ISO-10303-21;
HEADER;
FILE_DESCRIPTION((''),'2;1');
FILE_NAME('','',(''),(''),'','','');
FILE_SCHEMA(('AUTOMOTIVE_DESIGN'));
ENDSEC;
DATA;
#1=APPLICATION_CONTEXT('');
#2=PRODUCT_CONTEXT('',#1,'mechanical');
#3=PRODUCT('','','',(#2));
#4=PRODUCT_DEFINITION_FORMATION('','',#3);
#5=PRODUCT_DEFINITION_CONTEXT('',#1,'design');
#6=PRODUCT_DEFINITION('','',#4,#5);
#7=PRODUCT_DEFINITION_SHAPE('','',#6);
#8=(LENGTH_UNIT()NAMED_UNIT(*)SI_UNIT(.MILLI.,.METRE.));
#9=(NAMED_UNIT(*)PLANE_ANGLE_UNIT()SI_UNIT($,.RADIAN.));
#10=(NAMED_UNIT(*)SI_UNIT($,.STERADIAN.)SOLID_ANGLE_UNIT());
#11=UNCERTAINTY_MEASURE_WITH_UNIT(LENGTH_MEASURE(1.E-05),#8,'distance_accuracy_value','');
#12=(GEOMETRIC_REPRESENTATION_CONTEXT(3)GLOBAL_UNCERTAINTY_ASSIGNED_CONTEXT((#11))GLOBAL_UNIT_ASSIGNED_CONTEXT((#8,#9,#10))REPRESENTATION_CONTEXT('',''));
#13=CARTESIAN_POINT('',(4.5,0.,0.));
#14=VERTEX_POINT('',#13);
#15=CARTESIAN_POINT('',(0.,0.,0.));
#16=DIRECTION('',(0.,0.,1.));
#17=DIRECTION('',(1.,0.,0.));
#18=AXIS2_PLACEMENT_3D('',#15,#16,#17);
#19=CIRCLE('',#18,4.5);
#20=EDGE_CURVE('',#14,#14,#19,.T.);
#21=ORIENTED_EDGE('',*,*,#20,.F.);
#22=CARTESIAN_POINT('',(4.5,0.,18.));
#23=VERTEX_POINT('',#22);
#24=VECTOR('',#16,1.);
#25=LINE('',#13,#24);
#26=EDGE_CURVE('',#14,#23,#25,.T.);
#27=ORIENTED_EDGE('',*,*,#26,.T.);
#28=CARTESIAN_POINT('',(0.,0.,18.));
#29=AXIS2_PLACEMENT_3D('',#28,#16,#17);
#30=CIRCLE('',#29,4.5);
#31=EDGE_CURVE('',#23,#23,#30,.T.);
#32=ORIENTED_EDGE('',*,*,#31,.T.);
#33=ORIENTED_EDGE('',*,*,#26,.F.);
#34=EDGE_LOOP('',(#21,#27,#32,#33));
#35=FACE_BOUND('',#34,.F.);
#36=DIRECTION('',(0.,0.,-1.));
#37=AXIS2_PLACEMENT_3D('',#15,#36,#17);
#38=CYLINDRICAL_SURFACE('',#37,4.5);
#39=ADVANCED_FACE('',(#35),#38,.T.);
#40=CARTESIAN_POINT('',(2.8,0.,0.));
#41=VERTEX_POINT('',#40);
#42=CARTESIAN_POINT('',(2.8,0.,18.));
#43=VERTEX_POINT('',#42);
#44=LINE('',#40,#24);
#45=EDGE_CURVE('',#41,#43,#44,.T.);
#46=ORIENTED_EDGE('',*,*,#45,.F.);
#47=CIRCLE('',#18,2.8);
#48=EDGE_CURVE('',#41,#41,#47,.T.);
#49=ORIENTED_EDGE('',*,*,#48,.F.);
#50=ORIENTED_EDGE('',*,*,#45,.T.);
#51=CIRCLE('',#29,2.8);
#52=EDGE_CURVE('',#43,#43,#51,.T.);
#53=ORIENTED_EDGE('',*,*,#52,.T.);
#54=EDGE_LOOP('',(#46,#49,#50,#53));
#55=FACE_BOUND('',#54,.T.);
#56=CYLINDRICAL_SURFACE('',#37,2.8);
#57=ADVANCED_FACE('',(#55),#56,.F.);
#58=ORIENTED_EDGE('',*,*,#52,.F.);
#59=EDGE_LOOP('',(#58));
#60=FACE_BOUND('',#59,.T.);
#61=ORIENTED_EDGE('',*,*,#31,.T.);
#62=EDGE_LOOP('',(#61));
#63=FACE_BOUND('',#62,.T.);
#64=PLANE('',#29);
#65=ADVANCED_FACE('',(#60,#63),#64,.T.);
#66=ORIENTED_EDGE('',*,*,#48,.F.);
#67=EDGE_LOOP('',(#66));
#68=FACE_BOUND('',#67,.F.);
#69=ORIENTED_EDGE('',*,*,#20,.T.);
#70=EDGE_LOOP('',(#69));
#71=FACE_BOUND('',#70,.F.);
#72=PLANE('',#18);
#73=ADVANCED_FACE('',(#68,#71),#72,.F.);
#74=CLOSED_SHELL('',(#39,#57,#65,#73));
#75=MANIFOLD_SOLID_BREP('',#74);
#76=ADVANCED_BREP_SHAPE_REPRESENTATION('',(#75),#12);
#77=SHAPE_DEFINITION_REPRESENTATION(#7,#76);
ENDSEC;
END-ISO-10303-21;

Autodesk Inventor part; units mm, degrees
ref_plane "YZ Plane" through (0, 0, 0) normal (1, 0, 0) x (0, 1, 0)
ref_plane "XZ Plane" through (0, 0, 0) normal (0, 1, 0) x (-1, 0, 0)
ref_plane "XY Plane" through (0, 0, 0) normal (0, 0, 1) x (1, 0, 0)
sketch "Sketch1" plane through (0, 0, 0) normal (0, 0, 1) x (1, 0, 0)
  circle A0 centre (0, 0) radius 2.8
  circle A1 centre (0, 0) radius 4.5
  dimension "d0" = 5.6
  dimension "d1" = 9
extrude "Extrusion1" add sketch "Sketch1" along normal blind 18
properties part number "Separador"
